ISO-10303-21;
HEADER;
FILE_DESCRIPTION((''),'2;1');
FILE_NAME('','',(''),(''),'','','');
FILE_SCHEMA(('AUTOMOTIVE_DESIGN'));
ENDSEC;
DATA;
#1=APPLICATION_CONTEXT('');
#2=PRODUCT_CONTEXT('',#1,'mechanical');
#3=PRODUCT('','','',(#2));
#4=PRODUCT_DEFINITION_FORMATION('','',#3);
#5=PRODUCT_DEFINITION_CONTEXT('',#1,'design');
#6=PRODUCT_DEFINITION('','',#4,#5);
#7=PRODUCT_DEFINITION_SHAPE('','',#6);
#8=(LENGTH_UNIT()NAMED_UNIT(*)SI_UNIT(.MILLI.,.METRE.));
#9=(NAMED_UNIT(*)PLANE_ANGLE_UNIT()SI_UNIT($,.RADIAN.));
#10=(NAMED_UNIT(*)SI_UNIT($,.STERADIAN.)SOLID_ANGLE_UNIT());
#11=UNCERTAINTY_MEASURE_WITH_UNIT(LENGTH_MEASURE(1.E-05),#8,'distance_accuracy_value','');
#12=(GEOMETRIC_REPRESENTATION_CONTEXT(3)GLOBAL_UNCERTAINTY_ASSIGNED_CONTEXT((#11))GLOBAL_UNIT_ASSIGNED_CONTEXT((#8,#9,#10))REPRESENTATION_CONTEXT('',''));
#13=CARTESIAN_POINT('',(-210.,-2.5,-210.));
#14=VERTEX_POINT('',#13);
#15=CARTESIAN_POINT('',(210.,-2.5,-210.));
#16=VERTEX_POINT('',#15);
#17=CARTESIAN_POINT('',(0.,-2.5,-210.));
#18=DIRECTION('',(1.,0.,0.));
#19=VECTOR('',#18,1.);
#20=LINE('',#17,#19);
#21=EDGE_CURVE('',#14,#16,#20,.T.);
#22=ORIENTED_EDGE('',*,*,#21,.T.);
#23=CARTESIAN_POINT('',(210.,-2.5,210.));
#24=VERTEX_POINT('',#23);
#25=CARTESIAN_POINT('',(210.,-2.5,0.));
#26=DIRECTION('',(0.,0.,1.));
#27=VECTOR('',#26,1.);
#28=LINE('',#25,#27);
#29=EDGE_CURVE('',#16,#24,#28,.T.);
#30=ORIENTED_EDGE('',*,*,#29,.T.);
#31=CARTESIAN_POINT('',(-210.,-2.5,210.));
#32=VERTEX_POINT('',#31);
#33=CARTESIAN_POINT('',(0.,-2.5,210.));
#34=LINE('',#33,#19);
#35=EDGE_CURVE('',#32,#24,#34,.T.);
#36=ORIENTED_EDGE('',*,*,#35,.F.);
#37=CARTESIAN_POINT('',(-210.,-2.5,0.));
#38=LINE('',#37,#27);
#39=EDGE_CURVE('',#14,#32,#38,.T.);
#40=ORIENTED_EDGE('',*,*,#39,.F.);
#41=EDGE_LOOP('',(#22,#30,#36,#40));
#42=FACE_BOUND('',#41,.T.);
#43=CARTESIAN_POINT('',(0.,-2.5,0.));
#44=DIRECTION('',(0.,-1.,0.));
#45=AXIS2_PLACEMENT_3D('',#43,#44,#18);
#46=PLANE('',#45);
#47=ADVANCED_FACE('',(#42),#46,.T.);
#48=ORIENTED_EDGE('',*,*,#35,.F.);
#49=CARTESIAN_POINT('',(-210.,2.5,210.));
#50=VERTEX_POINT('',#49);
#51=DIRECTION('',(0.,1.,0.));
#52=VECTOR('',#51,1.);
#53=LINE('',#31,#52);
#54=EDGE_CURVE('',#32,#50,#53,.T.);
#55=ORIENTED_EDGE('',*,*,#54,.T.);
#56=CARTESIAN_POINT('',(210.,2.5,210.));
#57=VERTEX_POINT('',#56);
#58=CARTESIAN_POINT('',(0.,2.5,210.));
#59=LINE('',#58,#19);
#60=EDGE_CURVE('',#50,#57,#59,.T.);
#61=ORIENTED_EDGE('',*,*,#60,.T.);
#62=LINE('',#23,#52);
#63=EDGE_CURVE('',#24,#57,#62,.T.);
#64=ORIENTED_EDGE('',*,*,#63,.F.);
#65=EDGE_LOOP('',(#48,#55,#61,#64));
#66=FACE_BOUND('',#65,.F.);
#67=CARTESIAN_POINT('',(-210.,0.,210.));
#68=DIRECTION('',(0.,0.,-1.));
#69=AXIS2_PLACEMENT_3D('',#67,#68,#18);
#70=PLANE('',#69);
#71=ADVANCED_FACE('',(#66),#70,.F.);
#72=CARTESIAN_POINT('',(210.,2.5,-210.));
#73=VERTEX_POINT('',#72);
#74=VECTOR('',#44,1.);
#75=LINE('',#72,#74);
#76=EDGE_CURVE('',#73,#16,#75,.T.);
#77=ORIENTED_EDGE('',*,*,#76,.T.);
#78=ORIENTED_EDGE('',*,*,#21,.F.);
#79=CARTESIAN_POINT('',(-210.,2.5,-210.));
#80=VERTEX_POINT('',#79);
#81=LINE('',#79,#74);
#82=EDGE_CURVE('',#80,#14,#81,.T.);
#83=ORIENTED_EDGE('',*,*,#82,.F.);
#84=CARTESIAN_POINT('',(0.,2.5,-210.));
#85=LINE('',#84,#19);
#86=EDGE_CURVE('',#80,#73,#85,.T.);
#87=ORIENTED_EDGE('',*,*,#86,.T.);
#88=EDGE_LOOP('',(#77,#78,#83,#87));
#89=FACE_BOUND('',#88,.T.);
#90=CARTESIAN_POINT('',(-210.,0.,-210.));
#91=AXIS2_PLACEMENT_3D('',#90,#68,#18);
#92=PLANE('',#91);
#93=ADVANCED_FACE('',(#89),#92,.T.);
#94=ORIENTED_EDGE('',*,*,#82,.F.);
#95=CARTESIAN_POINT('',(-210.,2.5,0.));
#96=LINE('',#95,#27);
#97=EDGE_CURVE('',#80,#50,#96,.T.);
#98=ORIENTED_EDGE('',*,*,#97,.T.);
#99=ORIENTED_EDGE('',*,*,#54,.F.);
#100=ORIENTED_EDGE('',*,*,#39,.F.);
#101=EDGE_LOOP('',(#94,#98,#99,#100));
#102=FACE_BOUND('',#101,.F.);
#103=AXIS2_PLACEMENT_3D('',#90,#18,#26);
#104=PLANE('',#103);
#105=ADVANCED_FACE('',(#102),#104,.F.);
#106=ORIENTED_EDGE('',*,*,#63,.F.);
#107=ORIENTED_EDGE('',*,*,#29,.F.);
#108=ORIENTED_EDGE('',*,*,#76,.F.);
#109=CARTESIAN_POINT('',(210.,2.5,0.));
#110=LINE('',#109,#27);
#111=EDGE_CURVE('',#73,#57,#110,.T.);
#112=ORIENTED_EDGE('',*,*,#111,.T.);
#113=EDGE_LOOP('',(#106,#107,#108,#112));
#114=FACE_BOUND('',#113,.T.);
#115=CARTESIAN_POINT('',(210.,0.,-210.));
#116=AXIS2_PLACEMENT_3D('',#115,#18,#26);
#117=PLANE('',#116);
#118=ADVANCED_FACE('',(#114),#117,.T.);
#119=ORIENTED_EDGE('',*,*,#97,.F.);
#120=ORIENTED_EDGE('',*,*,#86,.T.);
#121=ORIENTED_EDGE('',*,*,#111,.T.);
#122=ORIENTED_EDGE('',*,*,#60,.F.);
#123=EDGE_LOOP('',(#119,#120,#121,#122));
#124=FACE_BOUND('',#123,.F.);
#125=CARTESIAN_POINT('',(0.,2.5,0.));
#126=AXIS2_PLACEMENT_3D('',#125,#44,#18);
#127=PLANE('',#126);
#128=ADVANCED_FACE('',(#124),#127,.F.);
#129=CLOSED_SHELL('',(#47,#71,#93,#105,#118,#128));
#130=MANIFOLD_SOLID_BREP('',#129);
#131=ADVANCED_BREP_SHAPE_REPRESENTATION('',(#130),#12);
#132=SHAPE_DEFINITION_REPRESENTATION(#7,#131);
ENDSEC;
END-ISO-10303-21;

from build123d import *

# Parameters (mm, degrees)
F0_W     = 420
F0_H     = 420
F1_DEPTH = 2.5
F2_DEPTH = 2.5


with BuildPart() as f1:
    # F0 (on Front) → F1 (new body)
    with BuildSketch(Plane.XZ):
        Rectangle(F0_W, F0_H)
    extrude(amount=F1_DEPTH)

    # F0 (on Front) → F2 (join)
    with BuildSketch(Plane.XZ):
        Rectangle(F0_W, F0_H)
    extrude(amount=-F2_DEPTH)


solid = f1.part
